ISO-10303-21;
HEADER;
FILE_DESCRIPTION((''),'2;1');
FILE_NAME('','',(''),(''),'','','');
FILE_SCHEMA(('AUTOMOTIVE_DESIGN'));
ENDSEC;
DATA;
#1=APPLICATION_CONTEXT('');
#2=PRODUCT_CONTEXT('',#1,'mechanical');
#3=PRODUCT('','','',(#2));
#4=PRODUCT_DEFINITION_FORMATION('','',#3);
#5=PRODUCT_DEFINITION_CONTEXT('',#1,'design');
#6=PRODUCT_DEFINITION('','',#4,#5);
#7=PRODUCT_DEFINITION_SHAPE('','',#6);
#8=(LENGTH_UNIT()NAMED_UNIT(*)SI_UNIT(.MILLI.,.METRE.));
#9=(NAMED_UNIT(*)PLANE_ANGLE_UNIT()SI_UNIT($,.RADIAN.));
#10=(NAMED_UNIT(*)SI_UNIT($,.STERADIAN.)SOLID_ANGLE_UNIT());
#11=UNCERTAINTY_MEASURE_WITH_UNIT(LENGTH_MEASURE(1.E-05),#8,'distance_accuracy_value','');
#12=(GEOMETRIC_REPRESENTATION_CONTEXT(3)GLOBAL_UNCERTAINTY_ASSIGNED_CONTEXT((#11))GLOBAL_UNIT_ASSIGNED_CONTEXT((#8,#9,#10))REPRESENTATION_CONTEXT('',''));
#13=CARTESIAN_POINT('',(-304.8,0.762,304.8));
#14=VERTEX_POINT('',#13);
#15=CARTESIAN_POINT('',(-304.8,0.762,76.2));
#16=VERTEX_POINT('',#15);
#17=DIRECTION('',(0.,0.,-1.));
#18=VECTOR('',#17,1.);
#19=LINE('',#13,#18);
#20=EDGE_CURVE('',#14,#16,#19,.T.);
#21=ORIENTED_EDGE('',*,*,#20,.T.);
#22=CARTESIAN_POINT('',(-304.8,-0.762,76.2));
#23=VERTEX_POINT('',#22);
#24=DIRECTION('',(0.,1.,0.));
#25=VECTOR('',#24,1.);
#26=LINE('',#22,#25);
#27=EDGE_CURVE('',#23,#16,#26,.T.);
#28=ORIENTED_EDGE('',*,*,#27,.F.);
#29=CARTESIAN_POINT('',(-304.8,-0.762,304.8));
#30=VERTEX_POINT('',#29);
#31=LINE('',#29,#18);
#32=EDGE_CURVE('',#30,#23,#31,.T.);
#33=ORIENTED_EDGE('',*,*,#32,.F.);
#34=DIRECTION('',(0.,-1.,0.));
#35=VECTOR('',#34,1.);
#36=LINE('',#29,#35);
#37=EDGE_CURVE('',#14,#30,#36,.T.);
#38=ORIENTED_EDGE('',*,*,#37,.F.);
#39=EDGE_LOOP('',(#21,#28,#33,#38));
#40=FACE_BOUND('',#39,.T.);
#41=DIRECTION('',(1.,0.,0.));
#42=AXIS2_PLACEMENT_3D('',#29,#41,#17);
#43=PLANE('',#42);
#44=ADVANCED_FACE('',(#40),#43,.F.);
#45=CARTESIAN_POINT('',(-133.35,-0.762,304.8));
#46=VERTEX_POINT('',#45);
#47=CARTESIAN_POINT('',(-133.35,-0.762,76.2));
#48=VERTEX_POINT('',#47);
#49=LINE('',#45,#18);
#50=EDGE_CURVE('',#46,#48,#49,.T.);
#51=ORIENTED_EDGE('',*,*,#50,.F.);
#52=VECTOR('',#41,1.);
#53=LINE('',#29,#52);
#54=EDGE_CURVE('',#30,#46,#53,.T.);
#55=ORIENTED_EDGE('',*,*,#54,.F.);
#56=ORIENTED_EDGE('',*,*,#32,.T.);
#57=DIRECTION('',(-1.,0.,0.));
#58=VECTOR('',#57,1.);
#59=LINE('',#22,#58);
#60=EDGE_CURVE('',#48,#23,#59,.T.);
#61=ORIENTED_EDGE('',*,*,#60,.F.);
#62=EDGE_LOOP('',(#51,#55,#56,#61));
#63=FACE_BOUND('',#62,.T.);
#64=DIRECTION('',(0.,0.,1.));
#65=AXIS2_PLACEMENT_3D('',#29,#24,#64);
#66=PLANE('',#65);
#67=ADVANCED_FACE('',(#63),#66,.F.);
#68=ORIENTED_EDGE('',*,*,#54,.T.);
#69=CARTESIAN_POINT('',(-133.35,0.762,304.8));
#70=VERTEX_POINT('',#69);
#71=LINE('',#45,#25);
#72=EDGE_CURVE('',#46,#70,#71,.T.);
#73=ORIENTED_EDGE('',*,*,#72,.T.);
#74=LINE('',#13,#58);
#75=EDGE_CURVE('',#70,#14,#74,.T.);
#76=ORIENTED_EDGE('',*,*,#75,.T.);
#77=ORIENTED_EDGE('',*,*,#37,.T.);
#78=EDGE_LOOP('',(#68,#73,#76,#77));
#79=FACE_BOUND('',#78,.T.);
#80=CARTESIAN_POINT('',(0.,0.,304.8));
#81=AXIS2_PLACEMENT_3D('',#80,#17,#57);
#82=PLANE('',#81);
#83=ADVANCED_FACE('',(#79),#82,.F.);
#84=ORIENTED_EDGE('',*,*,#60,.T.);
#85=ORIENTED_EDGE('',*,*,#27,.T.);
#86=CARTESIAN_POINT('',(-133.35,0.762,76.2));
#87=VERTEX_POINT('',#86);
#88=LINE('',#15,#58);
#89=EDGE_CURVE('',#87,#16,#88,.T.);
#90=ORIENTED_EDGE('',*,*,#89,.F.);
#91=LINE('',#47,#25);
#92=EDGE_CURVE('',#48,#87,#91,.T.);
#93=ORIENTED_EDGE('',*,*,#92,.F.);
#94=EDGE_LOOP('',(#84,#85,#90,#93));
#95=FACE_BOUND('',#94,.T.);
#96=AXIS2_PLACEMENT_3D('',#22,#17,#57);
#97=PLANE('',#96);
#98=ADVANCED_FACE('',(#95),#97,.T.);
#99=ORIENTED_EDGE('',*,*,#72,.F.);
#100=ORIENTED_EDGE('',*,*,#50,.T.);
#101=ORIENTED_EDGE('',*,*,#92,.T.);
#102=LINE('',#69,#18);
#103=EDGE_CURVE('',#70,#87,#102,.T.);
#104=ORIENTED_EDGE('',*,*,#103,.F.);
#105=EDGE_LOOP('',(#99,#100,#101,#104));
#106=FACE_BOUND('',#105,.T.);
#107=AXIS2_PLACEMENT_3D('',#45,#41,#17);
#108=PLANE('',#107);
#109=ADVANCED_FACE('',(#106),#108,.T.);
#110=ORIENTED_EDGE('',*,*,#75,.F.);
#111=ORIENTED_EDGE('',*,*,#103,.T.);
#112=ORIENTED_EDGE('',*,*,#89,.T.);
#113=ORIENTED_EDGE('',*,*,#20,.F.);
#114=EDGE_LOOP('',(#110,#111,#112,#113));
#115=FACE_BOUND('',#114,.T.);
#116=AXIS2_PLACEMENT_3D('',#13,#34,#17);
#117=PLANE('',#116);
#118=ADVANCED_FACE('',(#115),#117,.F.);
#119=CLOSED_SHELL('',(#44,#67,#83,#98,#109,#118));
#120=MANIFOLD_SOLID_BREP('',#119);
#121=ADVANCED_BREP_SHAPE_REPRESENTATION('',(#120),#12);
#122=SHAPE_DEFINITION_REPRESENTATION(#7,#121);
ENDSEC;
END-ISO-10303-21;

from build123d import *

# Parameters (mm, degrees)
SKETCH3_W           = 609.6
SKETCH3_H           = 1.524
BOSS_EXTRUDE1_DEPTH = 304.8
SKETCH6_OUTSIDE_W   = 784.022
SKETCH6_OUTSIDE_H   = 784.022
SKETCH6_OUTSIDE_W_2 = 171.45
SKETCH6_OUTSIDE_H_2 = 228.6
CUT_EXTRUDE1_DEPTH  = 432.05498788


with BuildPart() as part:
    # Sketch3 → Boss-Extrude1 (new, symmetric)
    with BuildSketch(Plane.XY):
        Rectangle(SKETCH3_W, SKETCH3_H)
    extrude(amount=BOSS_EXTRUDE1_DEPTH, both=True)

    # Sketch6 outside → Cut-Extrude1 (cut, through all)
    with BuildSketch(Plane(origin=(0, 0.762, 0), x_dir=(1, 0, 0), z_dir=(0, 1, 0))):
        Rectangle(SKETCH6_OUTSIDE_W, SKETCH6_OUTSIDE_H)
        with Locations((-219.075, -190.5)):
            Rectangle(SKETCH6_OUTSIDE_W_2, SKETCH6_OUTSIDE_H_2, mode=Mode.SUBTRACT)
    extrude(amount=-CUT_EXTRUDE1_DEPTH, mode=Mode.SUBTRACT)


solid = part.part
